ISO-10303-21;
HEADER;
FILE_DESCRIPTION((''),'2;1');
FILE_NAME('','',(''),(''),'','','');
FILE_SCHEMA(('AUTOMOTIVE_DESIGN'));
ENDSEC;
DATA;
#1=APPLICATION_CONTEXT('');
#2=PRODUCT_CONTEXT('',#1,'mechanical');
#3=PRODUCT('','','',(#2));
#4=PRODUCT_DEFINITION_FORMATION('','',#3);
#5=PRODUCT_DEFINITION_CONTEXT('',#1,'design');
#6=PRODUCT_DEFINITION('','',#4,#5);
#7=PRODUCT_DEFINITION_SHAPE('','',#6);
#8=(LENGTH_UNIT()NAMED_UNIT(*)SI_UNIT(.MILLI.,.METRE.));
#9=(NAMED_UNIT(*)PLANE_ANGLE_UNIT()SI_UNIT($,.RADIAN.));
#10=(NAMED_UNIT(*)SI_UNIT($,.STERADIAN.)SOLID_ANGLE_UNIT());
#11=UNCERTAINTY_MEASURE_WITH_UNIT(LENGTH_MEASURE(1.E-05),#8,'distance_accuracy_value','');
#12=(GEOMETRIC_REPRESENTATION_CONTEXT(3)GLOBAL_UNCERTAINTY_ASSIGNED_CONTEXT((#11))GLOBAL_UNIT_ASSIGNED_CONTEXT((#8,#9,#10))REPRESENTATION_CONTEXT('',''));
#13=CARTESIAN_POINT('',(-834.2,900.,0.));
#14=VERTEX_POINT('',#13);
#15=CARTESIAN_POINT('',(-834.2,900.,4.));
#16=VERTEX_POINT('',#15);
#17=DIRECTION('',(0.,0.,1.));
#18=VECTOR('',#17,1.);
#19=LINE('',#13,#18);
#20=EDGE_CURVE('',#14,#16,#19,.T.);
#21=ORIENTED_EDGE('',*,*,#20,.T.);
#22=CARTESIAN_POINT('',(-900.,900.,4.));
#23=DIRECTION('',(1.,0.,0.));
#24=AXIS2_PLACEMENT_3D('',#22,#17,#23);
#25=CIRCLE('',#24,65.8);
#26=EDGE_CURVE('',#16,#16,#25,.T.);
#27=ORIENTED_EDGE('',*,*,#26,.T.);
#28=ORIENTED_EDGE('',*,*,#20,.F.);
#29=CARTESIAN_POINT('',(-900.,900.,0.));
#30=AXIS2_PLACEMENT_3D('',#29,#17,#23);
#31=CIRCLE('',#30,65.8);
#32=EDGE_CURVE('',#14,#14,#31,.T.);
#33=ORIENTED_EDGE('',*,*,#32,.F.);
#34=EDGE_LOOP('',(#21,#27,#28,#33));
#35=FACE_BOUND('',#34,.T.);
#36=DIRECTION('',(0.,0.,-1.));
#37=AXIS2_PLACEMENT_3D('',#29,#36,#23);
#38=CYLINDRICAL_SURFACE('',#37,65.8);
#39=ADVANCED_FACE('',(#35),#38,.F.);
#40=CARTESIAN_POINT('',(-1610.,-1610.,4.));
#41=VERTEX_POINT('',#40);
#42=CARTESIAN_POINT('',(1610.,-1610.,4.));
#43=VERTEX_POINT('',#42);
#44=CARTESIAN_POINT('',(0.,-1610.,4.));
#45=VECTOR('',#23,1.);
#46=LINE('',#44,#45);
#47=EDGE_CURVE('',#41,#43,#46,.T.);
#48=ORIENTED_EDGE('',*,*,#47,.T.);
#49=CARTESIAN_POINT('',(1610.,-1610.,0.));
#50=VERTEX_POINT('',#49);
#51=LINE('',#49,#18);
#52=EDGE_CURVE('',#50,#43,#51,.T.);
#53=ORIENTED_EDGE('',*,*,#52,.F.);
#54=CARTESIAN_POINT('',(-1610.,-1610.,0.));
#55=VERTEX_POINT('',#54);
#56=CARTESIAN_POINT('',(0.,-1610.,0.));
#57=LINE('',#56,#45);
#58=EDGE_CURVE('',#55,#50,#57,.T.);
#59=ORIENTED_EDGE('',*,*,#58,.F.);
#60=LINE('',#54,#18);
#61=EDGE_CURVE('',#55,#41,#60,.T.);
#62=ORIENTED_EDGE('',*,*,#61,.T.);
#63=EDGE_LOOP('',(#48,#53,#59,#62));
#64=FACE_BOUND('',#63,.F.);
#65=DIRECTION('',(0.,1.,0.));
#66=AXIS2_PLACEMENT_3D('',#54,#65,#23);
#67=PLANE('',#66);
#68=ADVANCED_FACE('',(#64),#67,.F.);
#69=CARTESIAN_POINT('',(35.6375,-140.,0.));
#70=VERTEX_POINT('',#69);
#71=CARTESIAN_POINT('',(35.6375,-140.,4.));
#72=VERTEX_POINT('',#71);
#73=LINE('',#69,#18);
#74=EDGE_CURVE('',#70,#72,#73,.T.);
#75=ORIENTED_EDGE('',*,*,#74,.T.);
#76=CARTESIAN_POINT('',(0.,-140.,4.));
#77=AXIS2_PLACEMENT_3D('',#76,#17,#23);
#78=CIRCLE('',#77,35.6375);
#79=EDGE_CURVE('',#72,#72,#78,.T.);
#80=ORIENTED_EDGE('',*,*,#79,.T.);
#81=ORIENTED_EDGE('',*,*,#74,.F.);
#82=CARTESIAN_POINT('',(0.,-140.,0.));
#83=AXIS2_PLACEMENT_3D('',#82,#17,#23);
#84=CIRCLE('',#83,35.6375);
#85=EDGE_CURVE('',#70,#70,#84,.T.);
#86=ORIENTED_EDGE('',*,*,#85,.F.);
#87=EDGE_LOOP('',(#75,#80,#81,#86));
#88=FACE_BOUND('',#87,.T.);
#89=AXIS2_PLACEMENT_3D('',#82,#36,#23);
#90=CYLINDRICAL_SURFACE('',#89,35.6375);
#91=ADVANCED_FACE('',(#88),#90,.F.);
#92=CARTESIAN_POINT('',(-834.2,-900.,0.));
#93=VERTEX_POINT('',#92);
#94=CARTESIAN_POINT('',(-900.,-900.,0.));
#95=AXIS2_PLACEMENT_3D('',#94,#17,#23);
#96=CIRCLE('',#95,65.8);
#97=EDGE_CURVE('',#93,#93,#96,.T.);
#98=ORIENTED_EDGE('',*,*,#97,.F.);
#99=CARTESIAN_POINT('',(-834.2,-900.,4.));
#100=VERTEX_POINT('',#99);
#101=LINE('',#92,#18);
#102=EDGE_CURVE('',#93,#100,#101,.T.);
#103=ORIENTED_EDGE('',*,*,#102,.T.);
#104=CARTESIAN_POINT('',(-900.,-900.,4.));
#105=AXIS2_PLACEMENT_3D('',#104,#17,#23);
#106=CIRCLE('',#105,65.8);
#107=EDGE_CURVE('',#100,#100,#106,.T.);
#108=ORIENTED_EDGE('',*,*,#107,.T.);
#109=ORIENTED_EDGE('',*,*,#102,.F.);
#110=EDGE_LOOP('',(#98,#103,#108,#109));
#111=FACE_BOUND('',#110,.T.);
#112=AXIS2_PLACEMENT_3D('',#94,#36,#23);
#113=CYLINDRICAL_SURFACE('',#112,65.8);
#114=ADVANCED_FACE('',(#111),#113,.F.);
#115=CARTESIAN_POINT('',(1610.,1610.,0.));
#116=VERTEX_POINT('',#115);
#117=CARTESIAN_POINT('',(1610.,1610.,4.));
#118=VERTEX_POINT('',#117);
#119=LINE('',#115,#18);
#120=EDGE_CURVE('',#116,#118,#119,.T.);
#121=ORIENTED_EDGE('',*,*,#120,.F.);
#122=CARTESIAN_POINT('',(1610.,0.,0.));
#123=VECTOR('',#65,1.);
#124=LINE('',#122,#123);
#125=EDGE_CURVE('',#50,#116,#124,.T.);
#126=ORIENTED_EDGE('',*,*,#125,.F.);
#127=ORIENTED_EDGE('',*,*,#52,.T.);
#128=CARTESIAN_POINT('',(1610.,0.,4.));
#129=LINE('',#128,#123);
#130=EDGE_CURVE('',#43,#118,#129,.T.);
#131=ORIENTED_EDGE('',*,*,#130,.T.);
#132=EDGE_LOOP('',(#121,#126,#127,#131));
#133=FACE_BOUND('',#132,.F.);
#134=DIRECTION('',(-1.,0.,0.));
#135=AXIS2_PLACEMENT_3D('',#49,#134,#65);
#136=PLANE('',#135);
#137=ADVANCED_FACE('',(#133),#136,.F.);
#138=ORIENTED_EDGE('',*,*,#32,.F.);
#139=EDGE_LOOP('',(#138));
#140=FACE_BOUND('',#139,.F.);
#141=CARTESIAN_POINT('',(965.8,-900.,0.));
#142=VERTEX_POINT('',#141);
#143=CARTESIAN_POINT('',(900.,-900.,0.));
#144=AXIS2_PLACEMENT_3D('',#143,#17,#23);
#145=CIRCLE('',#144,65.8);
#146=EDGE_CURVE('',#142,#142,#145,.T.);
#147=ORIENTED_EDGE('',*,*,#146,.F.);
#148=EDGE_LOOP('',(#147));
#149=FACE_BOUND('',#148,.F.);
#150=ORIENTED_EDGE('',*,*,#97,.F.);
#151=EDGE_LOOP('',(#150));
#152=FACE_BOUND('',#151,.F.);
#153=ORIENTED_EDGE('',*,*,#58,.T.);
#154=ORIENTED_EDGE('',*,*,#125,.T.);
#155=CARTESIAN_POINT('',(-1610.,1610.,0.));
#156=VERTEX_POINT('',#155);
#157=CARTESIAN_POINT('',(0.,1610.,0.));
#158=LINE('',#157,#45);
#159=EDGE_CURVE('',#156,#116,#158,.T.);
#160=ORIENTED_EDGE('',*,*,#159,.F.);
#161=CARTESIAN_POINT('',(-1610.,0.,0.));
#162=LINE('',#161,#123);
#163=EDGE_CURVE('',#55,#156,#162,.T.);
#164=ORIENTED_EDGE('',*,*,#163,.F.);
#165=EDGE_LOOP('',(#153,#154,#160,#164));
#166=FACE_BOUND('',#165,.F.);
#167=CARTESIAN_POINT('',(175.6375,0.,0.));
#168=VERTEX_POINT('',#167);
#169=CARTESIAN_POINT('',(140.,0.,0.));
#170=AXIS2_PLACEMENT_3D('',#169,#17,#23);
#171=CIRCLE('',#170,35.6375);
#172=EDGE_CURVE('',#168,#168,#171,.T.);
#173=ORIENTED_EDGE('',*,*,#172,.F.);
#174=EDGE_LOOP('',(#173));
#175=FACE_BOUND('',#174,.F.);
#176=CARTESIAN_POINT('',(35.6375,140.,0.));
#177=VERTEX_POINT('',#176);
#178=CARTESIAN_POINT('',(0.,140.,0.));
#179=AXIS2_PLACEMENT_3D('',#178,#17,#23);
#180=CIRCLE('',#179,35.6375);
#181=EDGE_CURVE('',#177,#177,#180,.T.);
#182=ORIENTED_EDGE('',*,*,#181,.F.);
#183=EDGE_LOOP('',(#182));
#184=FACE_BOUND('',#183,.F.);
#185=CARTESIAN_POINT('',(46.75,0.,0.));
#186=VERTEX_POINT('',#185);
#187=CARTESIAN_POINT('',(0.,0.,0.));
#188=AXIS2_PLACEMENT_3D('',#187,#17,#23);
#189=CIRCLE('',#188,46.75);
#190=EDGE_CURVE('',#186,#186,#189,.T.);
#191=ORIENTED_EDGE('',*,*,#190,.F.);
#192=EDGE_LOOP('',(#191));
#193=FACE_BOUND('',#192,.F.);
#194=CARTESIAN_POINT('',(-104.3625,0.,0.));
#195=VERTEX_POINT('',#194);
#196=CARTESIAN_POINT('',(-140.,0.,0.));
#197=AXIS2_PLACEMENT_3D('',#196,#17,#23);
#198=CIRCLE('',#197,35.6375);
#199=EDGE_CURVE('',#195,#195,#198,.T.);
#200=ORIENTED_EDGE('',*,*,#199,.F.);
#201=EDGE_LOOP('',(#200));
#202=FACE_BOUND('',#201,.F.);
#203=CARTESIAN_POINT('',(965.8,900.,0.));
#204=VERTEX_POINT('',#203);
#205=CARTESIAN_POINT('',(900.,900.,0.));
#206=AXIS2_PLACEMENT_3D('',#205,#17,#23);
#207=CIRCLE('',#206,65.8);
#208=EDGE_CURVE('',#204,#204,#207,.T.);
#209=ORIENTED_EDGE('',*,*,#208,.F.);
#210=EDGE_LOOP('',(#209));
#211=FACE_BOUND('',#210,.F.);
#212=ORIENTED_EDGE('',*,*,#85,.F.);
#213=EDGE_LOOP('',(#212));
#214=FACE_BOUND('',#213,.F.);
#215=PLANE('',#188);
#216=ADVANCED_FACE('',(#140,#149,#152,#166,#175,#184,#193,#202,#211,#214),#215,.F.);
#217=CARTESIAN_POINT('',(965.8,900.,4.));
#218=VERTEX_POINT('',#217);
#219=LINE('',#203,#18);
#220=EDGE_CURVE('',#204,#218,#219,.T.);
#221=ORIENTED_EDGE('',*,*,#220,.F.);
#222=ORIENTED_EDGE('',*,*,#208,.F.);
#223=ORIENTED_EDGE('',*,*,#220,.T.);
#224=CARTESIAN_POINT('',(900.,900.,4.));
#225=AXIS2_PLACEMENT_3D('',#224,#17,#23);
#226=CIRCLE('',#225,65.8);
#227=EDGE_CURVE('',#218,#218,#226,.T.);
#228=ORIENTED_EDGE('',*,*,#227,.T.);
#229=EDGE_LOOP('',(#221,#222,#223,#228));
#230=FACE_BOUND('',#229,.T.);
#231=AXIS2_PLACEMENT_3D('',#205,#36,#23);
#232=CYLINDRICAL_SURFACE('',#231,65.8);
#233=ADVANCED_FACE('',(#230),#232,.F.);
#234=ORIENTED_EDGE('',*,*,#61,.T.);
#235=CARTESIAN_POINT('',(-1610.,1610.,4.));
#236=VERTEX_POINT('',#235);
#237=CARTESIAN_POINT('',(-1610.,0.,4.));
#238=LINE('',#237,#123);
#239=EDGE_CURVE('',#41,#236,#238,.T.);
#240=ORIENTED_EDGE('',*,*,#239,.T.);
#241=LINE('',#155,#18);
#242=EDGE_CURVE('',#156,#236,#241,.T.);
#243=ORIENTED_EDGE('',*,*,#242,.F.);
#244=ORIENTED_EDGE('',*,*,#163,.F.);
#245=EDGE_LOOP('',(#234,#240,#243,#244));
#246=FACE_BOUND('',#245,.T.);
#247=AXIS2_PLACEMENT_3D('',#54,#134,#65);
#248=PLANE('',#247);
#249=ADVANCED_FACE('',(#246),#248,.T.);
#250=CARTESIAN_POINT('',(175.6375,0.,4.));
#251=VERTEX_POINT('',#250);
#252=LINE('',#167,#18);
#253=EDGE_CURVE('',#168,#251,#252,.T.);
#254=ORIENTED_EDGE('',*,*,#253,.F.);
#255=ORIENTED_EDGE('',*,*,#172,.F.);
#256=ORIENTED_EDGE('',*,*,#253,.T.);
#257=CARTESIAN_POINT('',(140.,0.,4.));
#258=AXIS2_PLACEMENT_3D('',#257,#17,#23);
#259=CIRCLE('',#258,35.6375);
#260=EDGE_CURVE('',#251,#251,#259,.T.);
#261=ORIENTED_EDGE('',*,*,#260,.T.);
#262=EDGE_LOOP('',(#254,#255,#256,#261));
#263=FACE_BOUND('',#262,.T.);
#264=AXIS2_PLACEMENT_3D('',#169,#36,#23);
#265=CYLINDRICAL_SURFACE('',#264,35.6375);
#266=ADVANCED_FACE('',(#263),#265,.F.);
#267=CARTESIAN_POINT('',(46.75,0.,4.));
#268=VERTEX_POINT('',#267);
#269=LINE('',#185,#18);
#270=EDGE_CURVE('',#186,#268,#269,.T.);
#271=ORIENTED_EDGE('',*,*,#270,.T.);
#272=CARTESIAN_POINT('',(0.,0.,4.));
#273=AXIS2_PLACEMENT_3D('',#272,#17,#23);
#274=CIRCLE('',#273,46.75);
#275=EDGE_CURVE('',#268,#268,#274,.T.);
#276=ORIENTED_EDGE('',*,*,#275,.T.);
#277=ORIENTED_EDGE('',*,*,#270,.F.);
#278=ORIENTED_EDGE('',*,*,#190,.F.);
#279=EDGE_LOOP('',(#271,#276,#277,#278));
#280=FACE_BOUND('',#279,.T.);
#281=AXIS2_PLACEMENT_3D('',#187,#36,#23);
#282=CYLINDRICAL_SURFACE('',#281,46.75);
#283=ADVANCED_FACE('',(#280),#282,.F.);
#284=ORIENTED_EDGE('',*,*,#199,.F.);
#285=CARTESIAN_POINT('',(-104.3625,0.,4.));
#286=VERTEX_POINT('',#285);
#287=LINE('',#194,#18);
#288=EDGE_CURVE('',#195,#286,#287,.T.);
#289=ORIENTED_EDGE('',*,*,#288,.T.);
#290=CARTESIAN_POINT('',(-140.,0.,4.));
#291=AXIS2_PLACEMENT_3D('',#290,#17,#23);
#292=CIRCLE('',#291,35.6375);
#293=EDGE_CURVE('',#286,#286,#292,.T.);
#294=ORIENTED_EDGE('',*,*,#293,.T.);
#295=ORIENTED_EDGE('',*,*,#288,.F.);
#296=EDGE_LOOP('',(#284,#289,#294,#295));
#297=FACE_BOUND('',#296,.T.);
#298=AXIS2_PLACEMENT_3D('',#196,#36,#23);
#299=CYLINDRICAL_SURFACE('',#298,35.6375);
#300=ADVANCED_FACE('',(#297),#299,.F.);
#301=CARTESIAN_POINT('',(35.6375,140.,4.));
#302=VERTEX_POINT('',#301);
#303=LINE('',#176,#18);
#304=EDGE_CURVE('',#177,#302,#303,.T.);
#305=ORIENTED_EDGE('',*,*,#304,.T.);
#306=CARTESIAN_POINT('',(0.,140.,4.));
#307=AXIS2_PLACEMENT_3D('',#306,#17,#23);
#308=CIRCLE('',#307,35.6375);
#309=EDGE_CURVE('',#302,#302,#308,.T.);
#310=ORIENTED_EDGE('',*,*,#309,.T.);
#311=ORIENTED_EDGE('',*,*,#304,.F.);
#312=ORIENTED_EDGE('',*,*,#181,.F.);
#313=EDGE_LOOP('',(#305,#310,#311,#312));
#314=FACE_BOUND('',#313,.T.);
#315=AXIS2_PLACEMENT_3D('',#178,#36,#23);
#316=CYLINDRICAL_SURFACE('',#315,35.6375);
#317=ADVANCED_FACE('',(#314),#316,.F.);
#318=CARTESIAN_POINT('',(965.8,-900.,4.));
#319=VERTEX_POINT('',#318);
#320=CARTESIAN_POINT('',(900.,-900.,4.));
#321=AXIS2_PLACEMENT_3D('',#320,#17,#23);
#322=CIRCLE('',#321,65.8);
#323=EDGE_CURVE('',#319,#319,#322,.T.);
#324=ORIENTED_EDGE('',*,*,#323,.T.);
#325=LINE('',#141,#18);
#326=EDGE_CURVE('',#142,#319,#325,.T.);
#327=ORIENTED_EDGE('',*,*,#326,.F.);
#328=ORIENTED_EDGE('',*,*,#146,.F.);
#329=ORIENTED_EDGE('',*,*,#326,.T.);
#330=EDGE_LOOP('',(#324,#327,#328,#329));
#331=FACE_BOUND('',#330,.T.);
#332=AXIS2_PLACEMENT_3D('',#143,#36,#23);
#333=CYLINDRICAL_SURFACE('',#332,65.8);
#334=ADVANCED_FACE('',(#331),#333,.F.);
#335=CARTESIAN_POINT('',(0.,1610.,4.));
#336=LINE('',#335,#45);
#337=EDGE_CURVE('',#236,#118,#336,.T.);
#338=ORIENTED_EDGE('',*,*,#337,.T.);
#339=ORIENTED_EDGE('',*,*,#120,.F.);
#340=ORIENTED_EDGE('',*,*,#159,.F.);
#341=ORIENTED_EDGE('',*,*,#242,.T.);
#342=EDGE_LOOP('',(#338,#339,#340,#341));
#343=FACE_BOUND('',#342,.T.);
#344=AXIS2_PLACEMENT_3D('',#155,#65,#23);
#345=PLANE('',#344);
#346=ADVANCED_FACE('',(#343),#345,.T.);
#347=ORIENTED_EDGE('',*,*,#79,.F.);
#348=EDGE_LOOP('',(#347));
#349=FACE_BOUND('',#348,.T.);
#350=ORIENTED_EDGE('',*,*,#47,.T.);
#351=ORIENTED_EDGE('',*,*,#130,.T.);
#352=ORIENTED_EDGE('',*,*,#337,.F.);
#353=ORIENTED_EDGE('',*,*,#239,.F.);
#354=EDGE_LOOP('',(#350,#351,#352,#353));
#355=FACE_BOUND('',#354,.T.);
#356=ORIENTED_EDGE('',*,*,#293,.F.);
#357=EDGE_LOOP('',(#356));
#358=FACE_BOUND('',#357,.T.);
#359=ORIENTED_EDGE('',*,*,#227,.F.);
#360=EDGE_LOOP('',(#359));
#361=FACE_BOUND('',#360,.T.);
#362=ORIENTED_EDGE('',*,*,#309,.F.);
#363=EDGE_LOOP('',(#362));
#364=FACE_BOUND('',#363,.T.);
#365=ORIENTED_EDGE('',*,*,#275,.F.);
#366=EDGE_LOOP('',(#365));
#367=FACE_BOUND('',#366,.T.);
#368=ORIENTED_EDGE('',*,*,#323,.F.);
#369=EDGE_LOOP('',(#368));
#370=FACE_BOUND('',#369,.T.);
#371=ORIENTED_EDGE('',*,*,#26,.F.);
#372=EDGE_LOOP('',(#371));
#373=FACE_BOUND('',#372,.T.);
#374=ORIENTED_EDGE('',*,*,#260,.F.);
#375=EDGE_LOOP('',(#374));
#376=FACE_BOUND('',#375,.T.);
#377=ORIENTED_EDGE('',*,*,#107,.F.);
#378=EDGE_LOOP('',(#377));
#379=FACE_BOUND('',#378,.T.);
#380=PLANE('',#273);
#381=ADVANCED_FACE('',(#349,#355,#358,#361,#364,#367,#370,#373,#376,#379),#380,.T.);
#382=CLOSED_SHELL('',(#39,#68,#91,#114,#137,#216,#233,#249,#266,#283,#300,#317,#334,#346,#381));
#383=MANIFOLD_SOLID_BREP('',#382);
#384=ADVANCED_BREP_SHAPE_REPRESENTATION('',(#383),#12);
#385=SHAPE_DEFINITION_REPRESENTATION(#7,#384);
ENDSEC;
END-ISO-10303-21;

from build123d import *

# Parameters (mm, degrees)
SKETCH2_W           = 3220
SKETCH2_H           = 3220
SKETCH2_R           = 46.75
SKETCH2_R_2         = 35.6375
SKETCH2_R_3         = 65.8
BOSS_EXTRUDE1_DEPTH = 4


with BuildPart() as part:
    # Sketch2 → Boss-Extrude1 (new body)
    with BuildSketch(Plane.XY):
        Rectangle(SKETCH2_W, SKETCH2_H)
        Circle(SKETCH2_R, mode=Mode.SUBTRACT)
        with Locations((0, 140)):
            Circle(SKETCH2_R_2, mode=Mode.SUBTRACT)
        with Locations((-900, 900)):
            Circle(SKETCH2_R_3, mode=Mode.SUBTRACT)
        with Locations((0, -140)):
            Circle(SKETCH2_R_2, mode=Mode.SUBTRACT)
        with Locations((-900, -900)):
            Circle(SKETCH2_R_3, mode=Mode.SUBTRACT)
        with Locations((140, 0)):
            Circle(SKETCH2_R_2, mode=Mode.SUBTRACT)
        with Locations((-140, 0)):
            Circle(SKETCH2_R_2, mode=Mode.SUBTRACT)
        with Locations((900, -900)):
            Circle(SKETCH2_R_3, mode=Mode.SUBTRACT)
        with Locations((900, 900)):
            Circle(SKETCH2_R_3, mode=Mode.SUBTRACT)
    extrude(amount=BOSS_EXTRUDE1_DEPTH)


solid = part.part
